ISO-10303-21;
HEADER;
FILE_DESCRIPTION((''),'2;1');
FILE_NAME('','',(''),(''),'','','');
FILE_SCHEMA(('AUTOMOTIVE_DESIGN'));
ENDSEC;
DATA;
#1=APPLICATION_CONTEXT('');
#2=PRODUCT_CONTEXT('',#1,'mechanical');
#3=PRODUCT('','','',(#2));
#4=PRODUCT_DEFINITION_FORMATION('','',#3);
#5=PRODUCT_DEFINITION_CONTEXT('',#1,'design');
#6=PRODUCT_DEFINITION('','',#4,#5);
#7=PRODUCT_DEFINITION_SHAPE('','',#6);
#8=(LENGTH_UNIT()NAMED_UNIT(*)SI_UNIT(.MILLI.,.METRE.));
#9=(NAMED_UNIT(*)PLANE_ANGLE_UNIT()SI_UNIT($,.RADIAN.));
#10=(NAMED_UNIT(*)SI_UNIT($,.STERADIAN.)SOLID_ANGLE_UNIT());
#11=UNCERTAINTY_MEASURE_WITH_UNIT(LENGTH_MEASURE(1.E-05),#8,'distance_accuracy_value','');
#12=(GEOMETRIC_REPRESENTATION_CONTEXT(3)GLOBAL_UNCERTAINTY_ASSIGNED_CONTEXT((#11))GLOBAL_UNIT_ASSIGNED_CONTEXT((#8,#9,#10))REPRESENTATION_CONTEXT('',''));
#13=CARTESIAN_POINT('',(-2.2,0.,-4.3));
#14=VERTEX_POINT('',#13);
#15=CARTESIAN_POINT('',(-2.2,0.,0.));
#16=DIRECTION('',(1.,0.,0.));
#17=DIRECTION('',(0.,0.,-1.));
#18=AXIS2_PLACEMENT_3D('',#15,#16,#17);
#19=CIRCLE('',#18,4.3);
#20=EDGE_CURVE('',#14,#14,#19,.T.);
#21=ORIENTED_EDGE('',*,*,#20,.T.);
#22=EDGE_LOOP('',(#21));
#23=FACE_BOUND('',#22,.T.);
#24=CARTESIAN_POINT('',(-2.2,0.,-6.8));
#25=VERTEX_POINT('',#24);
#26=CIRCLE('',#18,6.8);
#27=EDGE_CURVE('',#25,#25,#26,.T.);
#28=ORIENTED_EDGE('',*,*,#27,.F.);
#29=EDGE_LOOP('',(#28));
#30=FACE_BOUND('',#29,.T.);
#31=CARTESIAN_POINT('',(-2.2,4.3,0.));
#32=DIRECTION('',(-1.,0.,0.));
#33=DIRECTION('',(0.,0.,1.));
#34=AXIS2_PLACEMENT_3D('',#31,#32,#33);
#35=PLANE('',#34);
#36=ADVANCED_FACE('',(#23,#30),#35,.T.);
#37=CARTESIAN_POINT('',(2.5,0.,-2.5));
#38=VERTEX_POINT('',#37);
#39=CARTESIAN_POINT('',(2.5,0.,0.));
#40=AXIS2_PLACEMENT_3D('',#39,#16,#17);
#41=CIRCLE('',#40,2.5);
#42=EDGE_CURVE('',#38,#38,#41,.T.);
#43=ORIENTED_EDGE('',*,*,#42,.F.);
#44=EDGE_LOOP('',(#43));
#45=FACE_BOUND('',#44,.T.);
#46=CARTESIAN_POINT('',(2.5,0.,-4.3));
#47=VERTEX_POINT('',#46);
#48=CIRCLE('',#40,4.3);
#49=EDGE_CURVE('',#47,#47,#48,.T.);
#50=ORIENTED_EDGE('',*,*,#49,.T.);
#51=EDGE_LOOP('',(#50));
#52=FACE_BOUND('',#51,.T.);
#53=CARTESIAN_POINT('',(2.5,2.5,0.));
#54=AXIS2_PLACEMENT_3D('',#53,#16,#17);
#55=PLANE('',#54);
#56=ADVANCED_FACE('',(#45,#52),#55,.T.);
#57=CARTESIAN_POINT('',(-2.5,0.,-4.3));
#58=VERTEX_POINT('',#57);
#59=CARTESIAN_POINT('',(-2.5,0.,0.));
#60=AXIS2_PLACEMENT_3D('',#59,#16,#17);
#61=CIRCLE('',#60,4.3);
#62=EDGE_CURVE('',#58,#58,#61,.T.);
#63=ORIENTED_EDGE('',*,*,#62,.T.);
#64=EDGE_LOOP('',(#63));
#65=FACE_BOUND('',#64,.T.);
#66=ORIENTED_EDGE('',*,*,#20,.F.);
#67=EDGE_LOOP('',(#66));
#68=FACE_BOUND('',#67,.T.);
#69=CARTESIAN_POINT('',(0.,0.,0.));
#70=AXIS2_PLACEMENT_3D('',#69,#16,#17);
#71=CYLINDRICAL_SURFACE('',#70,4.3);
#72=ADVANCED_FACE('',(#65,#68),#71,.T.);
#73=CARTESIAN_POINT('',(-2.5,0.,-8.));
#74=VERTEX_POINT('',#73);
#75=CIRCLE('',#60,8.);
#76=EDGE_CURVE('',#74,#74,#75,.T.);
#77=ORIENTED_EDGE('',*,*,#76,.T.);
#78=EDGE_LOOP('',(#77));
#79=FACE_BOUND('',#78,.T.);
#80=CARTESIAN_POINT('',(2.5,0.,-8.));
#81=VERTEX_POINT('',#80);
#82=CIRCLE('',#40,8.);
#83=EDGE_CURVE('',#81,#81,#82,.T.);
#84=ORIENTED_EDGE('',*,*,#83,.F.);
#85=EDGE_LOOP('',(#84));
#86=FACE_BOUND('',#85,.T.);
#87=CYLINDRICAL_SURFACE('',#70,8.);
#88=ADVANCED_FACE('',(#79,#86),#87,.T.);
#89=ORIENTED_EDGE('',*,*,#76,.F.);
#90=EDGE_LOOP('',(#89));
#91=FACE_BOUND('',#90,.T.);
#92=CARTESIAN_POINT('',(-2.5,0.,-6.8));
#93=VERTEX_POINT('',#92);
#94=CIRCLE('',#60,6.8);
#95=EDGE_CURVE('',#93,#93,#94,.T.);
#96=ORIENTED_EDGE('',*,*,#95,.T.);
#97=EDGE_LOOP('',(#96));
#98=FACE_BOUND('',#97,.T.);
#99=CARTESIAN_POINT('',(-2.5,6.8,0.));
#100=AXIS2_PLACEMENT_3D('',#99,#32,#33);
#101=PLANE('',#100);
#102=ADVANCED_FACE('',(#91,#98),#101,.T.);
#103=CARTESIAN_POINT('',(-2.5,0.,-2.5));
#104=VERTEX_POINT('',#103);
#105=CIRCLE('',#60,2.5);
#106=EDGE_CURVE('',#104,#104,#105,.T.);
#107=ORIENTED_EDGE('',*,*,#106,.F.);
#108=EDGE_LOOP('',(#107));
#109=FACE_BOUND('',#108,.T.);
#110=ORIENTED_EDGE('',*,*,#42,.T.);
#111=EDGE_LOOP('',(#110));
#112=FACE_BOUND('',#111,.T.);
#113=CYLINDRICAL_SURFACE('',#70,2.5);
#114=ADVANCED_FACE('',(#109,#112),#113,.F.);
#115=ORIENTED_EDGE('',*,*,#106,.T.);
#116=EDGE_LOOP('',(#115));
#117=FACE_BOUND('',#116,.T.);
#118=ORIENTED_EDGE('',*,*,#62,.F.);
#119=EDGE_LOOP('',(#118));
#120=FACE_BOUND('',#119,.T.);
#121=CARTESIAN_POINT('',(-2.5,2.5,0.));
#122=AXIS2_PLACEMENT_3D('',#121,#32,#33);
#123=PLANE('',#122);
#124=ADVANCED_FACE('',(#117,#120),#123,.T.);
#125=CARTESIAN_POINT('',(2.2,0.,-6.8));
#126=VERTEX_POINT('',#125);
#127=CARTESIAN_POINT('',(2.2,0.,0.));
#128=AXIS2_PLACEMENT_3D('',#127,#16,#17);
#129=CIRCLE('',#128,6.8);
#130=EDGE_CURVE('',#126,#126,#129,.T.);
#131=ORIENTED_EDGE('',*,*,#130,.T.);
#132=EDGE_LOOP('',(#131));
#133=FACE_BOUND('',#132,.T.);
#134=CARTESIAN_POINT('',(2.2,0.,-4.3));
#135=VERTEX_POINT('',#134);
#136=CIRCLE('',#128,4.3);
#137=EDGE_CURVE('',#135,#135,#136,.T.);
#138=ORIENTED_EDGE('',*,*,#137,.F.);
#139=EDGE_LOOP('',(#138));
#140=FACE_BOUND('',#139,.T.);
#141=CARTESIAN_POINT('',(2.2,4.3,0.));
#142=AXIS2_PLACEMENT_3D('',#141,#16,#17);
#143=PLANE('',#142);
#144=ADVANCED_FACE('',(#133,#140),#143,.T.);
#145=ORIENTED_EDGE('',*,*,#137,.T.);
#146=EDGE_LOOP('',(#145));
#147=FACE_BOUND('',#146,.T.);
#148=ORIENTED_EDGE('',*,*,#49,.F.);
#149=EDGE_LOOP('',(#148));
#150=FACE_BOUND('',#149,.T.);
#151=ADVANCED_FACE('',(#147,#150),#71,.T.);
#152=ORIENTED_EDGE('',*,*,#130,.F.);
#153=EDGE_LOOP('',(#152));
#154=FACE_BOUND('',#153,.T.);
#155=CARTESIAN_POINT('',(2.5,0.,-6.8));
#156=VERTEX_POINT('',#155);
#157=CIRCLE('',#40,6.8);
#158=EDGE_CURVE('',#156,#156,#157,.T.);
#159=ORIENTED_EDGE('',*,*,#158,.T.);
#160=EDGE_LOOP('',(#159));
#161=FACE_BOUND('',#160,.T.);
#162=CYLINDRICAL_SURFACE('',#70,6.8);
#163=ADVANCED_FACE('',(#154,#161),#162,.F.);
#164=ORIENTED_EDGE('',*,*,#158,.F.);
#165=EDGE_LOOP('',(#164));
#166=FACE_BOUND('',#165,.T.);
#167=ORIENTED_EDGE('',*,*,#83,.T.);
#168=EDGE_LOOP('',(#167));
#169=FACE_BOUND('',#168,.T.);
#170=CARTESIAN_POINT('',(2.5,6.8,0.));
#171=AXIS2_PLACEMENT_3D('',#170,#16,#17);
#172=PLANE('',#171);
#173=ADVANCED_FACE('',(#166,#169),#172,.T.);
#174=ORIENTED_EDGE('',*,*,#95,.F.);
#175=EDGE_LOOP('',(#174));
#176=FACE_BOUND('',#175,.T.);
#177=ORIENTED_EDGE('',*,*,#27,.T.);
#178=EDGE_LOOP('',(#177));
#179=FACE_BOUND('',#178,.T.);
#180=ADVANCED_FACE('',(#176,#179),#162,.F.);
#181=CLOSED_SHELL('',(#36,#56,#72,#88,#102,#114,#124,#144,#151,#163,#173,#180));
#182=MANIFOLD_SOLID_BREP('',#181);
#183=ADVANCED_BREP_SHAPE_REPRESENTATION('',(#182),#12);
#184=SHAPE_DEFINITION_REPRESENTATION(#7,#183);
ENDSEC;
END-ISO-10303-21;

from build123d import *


with BuildPart() as part:
    # Sketch1 → Revolve1 (revolve)
    with BuildSketch(Plane.XY):
        Polygon((2.5, 2.5), (-2.5, 2.5), (-2.5, 4.3), (-2.2, 4.3), (-2.2, 6.8), (-2.5, 6.8), (-2.5, 8), (2.5, 8), (2.5, 6.8), (2.2, 6.8), (2.2, 4.3), (2.5, 4.3), align=None)
    revolve(axis=Axis((0, 0, 0), (-1, 0, 0)))


solid = part.part
